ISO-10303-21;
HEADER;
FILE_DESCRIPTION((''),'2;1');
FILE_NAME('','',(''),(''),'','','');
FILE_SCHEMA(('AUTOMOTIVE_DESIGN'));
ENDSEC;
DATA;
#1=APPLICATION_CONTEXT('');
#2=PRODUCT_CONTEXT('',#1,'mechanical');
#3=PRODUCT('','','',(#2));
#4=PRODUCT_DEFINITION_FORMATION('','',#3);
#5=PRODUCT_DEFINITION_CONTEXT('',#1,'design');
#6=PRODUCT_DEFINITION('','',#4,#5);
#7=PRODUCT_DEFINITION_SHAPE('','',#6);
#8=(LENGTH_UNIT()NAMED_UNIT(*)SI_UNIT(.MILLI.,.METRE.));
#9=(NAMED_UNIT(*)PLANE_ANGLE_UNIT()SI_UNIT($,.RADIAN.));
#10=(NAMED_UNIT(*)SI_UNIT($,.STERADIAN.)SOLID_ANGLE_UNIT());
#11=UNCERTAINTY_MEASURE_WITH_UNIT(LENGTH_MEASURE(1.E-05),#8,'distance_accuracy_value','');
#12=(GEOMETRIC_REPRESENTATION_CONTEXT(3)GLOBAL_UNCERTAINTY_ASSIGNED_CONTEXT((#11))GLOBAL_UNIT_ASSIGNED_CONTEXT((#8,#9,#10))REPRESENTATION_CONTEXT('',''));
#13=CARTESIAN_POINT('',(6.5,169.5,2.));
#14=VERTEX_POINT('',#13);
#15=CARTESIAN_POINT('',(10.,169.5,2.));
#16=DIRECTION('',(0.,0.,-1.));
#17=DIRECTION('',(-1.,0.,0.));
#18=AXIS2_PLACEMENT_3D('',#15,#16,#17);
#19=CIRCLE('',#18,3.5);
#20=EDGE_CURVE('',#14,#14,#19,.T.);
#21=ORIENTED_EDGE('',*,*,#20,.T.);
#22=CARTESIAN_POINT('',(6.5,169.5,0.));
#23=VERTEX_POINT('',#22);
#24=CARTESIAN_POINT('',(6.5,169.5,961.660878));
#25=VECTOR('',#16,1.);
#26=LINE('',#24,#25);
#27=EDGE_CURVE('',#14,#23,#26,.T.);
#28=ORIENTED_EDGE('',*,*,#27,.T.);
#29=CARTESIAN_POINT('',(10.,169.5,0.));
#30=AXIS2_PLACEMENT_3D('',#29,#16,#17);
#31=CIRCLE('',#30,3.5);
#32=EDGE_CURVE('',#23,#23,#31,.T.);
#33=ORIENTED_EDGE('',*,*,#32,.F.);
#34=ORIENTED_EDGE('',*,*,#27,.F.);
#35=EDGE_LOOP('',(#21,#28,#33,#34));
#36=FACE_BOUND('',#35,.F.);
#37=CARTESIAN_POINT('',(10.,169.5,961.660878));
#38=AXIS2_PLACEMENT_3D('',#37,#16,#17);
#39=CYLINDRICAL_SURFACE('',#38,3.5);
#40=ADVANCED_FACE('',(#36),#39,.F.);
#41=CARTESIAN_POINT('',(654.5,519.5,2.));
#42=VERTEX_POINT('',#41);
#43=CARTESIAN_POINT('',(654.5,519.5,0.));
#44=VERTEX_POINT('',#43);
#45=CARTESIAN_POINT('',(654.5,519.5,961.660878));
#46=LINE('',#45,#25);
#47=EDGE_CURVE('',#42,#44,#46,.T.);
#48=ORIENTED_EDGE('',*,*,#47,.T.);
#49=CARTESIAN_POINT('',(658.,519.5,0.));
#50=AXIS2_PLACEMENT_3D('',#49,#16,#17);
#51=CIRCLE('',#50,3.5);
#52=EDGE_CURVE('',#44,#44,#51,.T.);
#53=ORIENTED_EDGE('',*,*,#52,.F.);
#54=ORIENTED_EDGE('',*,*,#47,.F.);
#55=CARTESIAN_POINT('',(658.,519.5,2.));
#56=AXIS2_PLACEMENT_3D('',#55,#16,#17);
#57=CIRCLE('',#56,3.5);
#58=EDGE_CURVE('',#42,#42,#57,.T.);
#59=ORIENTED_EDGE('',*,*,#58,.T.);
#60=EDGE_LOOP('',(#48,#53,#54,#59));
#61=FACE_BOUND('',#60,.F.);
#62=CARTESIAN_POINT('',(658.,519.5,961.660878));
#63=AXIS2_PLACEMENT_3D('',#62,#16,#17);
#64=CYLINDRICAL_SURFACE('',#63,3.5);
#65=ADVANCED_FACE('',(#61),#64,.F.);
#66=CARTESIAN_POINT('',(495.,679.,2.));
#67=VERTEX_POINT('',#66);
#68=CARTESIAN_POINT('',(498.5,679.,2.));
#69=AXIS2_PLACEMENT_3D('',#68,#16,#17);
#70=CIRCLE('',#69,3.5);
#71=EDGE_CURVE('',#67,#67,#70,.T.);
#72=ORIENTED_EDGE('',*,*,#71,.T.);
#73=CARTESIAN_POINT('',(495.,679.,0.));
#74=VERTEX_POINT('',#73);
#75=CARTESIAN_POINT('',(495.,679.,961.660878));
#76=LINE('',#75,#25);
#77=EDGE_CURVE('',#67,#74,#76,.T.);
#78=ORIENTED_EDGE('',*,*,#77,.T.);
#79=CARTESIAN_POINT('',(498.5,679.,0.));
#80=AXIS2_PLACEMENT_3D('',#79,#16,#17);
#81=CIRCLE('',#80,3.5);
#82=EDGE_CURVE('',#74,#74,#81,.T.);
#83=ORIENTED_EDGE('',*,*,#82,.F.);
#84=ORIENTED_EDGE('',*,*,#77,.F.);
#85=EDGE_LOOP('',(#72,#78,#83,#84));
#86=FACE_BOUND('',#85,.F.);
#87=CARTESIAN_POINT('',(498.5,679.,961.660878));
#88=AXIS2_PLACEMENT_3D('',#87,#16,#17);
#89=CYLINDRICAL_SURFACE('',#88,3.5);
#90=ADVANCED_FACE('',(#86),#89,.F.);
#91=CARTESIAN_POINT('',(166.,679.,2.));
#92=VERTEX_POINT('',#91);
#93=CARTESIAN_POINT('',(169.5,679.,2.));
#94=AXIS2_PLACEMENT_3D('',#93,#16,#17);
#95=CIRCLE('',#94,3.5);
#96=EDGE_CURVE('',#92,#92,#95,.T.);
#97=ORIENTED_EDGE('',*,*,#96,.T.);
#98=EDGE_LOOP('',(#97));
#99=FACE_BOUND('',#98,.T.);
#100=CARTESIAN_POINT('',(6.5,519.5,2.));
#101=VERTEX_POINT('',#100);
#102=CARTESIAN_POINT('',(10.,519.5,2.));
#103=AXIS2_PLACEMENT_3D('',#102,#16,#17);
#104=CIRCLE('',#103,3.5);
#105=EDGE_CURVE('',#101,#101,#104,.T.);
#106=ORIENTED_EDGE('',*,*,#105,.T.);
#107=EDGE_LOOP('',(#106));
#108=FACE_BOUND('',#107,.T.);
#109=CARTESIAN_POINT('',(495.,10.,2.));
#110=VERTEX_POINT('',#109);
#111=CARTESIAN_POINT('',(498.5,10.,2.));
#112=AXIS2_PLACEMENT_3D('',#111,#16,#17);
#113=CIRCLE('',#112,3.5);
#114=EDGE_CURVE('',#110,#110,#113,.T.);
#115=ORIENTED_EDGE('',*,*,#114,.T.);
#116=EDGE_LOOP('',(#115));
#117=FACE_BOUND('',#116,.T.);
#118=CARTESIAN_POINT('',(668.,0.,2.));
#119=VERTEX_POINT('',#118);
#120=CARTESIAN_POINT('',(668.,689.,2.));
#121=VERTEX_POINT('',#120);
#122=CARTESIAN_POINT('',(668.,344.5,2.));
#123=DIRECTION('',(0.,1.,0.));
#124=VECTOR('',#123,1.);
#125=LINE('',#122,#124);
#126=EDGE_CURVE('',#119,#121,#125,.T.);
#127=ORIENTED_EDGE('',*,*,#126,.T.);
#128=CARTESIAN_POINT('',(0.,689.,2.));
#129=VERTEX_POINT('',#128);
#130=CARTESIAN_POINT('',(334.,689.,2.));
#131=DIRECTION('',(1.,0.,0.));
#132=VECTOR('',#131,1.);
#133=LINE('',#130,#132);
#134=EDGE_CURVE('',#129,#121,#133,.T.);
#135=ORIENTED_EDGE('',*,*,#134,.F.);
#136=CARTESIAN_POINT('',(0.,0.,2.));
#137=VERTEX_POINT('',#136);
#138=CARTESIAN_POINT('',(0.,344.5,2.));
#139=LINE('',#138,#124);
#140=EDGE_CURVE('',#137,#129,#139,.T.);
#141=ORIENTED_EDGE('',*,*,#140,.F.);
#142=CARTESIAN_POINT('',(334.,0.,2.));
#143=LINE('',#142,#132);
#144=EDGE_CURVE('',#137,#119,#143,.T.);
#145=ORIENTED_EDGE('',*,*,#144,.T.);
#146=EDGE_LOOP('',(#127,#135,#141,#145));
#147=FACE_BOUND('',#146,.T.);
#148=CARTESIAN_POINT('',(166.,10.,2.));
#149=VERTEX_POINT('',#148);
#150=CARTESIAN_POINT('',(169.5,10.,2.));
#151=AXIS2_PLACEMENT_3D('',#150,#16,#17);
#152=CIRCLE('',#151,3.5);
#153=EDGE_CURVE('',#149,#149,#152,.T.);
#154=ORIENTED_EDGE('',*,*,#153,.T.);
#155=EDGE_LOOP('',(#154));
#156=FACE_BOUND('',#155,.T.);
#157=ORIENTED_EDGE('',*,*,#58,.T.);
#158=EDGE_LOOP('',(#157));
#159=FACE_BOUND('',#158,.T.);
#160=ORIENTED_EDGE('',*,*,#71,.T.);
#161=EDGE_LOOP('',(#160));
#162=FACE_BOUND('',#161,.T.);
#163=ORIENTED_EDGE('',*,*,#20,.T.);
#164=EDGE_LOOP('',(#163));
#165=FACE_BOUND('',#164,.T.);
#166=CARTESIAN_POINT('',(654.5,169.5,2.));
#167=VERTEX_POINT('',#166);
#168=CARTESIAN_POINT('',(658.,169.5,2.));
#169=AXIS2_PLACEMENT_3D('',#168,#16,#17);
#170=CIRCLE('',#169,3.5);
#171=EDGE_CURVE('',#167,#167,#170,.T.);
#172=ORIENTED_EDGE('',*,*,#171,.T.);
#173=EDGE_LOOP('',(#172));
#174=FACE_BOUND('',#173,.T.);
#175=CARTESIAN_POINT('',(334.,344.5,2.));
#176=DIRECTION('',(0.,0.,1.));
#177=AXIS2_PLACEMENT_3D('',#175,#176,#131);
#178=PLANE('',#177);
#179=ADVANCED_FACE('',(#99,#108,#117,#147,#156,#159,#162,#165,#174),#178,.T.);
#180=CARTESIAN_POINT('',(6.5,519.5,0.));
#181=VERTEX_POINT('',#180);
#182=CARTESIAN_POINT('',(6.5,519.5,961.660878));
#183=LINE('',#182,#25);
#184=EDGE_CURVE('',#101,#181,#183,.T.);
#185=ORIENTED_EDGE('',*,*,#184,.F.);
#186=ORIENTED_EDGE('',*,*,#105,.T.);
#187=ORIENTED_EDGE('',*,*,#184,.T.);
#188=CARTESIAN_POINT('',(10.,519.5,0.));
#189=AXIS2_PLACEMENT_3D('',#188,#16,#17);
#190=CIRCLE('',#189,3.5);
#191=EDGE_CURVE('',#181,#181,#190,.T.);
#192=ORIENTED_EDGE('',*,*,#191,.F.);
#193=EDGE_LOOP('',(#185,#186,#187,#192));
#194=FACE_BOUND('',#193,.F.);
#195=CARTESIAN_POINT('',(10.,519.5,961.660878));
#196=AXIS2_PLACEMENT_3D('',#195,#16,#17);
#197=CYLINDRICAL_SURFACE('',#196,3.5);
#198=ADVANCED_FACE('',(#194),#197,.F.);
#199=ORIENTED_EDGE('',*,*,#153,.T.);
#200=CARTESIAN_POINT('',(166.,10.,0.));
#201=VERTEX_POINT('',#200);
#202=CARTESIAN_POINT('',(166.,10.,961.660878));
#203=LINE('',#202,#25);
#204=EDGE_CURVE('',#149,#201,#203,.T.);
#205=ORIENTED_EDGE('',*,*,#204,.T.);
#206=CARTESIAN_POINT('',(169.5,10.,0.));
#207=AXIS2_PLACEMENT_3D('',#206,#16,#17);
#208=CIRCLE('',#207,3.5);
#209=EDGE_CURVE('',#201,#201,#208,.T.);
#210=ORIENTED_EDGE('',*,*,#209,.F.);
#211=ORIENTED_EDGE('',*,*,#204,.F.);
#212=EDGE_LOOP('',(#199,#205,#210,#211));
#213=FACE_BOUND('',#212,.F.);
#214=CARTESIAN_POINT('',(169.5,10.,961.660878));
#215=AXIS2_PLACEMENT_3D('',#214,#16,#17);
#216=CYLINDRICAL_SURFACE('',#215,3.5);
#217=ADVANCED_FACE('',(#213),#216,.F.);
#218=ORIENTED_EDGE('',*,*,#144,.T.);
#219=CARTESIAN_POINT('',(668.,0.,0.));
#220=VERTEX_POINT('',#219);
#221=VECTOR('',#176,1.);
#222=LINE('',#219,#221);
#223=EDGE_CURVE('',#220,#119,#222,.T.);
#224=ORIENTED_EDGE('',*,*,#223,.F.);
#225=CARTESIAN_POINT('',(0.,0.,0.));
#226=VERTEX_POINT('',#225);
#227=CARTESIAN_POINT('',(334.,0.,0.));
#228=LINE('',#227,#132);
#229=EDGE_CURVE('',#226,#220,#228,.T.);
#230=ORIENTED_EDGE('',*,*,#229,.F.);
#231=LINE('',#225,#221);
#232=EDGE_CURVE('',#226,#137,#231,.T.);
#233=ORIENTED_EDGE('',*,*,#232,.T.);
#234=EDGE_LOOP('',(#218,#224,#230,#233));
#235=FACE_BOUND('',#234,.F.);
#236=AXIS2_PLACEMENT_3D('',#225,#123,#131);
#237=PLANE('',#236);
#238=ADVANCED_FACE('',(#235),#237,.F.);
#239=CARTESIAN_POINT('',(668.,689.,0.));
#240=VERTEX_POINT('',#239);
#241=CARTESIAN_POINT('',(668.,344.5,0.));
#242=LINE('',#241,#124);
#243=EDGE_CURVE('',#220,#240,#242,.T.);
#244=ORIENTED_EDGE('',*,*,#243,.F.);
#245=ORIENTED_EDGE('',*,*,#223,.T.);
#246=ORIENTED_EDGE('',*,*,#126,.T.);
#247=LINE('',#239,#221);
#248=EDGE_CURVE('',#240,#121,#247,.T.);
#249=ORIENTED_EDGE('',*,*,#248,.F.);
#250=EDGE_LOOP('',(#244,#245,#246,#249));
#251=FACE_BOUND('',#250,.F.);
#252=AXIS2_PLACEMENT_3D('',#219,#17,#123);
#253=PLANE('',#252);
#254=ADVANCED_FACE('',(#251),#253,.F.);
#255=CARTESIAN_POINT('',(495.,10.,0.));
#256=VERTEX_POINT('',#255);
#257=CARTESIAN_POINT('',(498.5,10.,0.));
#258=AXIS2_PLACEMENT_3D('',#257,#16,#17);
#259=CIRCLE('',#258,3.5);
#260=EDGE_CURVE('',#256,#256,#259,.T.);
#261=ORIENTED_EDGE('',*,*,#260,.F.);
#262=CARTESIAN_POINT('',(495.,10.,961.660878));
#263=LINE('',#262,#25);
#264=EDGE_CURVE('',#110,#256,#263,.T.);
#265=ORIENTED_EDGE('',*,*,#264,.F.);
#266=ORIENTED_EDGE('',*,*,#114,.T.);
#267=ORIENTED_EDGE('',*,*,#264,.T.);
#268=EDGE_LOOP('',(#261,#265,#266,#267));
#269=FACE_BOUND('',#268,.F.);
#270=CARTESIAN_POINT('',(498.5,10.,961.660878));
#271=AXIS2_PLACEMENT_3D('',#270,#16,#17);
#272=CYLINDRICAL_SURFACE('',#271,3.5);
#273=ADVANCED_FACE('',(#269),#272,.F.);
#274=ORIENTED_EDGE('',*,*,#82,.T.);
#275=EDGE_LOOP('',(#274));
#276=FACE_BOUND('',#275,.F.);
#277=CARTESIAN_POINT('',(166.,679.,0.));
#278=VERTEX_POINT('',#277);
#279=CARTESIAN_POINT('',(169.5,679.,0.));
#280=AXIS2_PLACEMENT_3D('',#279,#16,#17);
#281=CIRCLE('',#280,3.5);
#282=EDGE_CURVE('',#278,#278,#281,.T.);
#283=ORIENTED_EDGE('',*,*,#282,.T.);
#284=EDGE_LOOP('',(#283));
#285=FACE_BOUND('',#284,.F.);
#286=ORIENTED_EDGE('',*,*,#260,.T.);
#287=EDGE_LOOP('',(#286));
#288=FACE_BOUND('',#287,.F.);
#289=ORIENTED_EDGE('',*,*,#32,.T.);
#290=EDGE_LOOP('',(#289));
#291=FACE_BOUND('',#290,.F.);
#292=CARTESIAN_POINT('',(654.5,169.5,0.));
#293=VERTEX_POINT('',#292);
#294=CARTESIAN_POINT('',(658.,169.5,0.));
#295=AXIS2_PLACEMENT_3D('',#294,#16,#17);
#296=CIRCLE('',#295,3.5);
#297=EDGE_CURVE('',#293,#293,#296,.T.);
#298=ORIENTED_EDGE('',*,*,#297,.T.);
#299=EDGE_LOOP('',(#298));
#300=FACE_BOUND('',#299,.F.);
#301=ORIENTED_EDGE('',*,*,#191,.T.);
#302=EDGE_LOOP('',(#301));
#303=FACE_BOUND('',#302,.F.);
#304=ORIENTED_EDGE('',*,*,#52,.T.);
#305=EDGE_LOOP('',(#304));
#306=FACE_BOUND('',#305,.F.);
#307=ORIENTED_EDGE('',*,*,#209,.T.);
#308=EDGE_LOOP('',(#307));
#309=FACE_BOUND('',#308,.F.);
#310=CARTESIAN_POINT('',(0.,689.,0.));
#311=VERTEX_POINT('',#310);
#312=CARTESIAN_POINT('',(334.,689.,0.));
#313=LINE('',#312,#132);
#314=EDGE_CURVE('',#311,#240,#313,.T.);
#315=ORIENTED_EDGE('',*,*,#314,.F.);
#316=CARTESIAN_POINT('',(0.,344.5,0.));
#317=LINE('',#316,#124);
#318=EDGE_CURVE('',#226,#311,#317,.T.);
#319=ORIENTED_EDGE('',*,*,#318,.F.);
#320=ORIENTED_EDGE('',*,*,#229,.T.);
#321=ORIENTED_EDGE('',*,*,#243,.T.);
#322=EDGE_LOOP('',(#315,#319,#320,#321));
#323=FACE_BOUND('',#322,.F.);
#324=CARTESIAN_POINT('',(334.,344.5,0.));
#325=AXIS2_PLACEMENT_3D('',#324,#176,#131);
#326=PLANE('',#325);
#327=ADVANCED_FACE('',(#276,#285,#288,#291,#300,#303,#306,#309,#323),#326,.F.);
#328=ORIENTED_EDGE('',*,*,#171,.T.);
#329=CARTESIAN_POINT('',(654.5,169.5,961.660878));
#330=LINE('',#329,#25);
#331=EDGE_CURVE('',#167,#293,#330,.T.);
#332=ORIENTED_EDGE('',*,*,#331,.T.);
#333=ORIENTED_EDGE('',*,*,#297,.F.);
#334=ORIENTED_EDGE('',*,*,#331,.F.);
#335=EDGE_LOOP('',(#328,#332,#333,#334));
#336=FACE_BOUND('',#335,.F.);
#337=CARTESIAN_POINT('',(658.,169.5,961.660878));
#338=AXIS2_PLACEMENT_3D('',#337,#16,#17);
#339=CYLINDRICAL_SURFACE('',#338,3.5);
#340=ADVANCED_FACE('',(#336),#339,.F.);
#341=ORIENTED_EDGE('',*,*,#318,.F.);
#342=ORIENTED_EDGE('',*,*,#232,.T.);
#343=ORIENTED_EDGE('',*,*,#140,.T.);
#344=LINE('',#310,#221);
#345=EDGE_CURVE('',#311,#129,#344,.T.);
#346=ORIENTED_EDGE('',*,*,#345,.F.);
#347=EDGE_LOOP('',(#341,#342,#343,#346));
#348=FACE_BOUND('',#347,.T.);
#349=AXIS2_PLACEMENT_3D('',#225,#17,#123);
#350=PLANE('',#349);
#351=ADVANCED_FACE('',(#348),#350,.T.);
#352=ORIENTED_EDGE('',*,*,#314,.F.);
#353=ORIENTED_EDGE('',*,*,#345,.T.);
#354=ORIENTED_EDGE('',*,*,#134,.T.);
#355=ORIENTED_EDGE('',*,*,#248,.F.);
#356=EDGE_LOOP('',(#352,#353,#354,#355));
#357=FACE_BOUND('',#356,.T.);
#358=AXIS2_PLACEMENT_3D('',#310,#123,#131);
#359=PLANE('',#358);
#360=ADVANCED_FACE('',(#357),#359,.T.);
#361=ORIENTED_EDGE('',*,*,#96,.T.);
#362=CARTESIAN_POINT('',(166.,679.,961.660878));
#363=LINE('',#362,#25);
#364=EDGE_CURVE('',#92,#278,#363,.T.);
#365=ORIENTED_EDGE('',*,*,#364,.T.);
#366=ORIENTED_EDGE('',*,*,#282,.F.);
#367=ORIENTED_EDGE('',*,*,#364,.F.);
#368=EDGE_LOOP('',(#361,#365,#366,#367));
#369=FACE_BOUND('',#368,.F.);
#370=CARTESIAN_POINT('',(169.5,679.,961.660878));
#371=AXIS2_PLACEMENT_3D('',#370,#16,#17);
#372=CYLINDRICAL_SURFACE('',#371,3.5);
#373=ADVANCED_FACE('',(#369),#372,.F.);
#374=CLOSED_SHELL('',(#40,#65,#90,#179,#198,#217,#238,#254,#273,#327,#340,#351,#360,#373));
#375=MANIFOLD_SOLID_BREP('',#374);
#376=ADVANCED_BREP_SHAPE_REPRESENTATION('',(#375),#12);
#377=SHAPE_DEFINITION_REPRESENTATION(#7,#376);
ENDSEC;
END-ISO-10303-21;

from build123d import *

# Parameters (mm, degrees)
F0_W     = 668
F0_H     = 689
F1_DEPTH = 2
F3_D     = 7


with BuildPart() as f1:
    # F0 (on Top) → F1 (new body)
    with BuildSketch(Plane.XY):
        with Locations((334, 344.5)):
            Rectangle(F0_W, F0_H)
    extrude(amount=F1_DEPTH)

    # F3 (through all)
    with Locations(Plane.XY.offset(2)):
        with Locations((10, 519.5), (169.5, 679), (498.5, 679), (658, 519.5), (658, 169.5), (498.5, 10), (169.5, 10), (10, 169.5)):
            Hole(F3_D / 2)


solid = f1.part
